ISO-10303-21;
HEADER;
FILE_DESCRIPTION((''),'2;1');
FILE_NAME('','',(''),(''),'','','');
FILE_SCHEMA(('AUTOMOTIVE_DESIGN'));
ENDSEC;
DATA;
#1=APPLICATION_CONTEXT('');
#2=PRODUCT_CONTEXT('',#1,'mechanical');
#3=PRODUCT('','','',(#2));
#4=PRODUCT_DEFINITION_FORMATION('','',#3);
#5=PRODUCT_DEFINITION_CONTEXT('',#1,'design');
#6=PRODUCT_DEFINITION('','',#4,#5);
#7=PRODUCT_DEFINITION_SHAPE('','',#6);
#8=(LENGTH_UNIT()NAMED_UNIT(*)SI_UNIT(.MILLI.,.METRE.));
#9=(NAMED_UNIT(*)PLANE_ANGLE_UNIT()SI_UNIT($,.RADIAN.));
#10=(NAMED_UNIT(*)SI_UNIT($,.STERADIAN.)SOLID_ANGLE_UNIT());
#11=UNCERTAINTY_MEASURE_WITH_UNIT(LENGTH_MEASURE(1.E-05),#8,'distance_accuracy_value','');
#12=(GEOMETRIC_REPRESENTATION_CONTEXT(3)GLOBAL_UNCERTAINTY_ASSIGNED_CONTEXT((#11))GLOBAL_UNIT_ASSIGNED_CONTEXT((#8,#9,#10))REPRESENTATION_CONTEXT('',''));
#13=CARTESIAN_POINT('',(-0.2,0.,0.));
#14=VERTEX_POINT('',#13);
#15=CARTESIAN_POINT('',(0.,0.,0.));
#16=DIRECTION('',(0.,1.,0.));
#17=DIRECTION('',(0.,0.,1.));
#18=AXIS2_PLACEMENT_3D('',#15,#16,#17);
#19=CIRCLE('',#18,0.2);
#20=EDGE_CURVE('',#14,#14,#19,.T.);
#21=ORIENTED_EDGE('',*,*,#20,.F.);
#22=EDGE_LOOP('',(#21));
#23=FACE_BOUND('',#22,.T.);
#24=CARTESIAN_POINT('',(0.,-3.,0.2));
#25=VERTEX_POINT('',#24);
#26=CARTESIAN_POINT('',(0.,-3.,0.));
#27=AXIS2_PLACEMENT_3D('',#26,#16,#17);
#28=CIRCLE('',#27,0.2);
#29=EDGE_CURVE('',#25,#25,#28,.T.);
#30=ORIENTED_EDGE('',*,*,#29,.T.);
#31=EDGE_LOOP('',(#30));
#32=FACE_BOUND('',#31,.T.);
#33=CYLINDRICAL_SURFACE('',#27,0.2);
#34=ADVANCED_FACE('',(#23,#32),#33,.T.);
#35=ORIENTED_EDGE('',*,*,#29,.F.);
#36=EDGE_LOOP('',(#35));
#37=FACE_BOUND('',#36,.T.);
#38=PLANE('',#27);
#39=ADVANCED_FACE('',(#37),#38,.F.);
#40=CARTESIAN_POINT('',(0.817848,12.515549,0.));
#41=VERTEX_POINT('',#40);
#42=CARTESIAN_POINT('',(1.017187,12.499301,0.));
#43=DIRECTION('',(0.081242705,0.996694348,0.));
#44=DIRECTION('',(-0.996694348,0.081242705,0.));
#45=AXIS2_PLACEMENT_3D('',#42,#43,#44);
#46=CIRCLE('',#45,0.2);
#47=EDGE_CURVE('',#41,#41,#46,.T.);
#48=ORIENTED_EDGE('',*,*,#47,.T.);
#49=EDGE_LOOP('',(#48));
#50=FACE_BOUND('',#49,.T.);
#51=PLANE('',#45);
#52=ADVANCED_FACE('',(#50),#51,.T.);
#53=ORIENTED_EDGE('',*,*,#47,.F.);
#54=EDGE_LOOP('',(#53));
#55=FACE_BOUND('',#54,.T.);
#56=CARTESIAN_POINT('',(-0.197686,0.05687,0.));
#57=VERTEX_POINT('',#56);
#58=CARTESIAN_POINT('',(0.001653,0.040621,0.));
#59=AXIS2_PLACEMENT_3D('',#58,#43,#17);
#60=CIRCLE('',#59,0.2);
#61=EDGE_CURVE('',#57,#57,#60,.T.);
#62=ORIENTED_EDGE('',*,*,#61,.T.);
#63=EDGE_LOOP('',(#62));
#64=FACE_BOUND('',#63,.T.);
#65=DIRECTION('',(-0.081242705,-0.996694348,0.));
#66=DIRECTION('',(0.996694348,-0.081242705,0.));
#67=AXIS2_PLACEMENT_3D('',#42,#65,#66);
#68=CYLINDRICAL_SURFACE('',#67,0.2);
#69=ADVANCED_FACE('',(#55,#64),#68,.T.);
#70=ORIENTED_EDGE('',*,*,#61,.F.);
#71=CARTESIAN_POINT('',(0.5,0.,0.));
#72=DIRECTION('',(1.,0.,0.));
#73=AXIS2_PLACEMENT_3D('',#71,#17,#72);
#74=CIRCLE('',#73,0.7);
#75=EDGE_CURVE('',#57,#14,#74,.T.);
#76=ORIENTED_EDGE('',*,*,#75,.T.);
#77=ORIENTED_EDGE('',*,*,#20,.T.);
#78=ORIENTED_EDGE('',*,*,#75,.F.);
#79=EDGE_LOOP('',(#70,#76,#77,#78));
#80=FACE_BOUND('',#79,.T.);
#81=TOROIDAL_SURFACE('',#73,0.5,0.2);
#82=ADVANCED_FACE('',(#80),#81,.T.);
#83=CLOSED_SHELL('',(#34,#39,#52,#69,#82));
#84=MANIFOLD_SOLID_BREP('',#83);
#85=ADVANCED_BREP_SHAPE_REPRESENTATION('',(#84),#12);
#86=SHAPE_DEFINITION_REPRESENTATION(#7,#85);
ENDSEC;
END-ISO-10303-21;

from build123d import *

# Parameters (mm, degrees)
SKETCH1_R           = 0.2
BOSS_EXTRUDE1_DEPTH = 3
SKETCH2_R           = 0.2
REVOLVE1_ANGLE      = 4.66
SKETCH3_R           = 0.2
BOSS_EXTRUDE2_DEPTH = 12.5


with BuildPart() as part:
    # Sketch1 → Boss-Extrude1 (new body)
    with BuildSketch(Plane(origin=(0, 0, 0), x_dir=(1, 0, 0), z_dir=(0, 1, 0))):
        Circle(SKETCH1_R)
    extrude(amount=-BOSS_EXTRUDE1_DEPTH)

    # Sketch2 → Revolve1 (revolve)
    with BuildSketch(Plane(origin=(0, 0, 0), x_dir=(1, 0, 0), z_dir=(0, 1, 0))):
        Circle(SKETCH2_R)
    revolve(axis=Axis((0.5, 0, -0.2), (0, 0, -1)), revolution_arc=REVOLVE1_ANGLE)

    # Sketch3 → Boss-Extrude2 (add)
    with BuildSketch(Plane(origin=(0.003300189, 0.040487072, 0), x_dir=(0.996694348, -0.081242705, 0), z_dir=(0.081242705, 0.996694348, 0))):
        with Locations((-0.001652826, 0)):
            Circle(SKETCH3_R)
    extrude(amount=BOSS_EXTRUDE2_DEPTH)


solid = part.part
